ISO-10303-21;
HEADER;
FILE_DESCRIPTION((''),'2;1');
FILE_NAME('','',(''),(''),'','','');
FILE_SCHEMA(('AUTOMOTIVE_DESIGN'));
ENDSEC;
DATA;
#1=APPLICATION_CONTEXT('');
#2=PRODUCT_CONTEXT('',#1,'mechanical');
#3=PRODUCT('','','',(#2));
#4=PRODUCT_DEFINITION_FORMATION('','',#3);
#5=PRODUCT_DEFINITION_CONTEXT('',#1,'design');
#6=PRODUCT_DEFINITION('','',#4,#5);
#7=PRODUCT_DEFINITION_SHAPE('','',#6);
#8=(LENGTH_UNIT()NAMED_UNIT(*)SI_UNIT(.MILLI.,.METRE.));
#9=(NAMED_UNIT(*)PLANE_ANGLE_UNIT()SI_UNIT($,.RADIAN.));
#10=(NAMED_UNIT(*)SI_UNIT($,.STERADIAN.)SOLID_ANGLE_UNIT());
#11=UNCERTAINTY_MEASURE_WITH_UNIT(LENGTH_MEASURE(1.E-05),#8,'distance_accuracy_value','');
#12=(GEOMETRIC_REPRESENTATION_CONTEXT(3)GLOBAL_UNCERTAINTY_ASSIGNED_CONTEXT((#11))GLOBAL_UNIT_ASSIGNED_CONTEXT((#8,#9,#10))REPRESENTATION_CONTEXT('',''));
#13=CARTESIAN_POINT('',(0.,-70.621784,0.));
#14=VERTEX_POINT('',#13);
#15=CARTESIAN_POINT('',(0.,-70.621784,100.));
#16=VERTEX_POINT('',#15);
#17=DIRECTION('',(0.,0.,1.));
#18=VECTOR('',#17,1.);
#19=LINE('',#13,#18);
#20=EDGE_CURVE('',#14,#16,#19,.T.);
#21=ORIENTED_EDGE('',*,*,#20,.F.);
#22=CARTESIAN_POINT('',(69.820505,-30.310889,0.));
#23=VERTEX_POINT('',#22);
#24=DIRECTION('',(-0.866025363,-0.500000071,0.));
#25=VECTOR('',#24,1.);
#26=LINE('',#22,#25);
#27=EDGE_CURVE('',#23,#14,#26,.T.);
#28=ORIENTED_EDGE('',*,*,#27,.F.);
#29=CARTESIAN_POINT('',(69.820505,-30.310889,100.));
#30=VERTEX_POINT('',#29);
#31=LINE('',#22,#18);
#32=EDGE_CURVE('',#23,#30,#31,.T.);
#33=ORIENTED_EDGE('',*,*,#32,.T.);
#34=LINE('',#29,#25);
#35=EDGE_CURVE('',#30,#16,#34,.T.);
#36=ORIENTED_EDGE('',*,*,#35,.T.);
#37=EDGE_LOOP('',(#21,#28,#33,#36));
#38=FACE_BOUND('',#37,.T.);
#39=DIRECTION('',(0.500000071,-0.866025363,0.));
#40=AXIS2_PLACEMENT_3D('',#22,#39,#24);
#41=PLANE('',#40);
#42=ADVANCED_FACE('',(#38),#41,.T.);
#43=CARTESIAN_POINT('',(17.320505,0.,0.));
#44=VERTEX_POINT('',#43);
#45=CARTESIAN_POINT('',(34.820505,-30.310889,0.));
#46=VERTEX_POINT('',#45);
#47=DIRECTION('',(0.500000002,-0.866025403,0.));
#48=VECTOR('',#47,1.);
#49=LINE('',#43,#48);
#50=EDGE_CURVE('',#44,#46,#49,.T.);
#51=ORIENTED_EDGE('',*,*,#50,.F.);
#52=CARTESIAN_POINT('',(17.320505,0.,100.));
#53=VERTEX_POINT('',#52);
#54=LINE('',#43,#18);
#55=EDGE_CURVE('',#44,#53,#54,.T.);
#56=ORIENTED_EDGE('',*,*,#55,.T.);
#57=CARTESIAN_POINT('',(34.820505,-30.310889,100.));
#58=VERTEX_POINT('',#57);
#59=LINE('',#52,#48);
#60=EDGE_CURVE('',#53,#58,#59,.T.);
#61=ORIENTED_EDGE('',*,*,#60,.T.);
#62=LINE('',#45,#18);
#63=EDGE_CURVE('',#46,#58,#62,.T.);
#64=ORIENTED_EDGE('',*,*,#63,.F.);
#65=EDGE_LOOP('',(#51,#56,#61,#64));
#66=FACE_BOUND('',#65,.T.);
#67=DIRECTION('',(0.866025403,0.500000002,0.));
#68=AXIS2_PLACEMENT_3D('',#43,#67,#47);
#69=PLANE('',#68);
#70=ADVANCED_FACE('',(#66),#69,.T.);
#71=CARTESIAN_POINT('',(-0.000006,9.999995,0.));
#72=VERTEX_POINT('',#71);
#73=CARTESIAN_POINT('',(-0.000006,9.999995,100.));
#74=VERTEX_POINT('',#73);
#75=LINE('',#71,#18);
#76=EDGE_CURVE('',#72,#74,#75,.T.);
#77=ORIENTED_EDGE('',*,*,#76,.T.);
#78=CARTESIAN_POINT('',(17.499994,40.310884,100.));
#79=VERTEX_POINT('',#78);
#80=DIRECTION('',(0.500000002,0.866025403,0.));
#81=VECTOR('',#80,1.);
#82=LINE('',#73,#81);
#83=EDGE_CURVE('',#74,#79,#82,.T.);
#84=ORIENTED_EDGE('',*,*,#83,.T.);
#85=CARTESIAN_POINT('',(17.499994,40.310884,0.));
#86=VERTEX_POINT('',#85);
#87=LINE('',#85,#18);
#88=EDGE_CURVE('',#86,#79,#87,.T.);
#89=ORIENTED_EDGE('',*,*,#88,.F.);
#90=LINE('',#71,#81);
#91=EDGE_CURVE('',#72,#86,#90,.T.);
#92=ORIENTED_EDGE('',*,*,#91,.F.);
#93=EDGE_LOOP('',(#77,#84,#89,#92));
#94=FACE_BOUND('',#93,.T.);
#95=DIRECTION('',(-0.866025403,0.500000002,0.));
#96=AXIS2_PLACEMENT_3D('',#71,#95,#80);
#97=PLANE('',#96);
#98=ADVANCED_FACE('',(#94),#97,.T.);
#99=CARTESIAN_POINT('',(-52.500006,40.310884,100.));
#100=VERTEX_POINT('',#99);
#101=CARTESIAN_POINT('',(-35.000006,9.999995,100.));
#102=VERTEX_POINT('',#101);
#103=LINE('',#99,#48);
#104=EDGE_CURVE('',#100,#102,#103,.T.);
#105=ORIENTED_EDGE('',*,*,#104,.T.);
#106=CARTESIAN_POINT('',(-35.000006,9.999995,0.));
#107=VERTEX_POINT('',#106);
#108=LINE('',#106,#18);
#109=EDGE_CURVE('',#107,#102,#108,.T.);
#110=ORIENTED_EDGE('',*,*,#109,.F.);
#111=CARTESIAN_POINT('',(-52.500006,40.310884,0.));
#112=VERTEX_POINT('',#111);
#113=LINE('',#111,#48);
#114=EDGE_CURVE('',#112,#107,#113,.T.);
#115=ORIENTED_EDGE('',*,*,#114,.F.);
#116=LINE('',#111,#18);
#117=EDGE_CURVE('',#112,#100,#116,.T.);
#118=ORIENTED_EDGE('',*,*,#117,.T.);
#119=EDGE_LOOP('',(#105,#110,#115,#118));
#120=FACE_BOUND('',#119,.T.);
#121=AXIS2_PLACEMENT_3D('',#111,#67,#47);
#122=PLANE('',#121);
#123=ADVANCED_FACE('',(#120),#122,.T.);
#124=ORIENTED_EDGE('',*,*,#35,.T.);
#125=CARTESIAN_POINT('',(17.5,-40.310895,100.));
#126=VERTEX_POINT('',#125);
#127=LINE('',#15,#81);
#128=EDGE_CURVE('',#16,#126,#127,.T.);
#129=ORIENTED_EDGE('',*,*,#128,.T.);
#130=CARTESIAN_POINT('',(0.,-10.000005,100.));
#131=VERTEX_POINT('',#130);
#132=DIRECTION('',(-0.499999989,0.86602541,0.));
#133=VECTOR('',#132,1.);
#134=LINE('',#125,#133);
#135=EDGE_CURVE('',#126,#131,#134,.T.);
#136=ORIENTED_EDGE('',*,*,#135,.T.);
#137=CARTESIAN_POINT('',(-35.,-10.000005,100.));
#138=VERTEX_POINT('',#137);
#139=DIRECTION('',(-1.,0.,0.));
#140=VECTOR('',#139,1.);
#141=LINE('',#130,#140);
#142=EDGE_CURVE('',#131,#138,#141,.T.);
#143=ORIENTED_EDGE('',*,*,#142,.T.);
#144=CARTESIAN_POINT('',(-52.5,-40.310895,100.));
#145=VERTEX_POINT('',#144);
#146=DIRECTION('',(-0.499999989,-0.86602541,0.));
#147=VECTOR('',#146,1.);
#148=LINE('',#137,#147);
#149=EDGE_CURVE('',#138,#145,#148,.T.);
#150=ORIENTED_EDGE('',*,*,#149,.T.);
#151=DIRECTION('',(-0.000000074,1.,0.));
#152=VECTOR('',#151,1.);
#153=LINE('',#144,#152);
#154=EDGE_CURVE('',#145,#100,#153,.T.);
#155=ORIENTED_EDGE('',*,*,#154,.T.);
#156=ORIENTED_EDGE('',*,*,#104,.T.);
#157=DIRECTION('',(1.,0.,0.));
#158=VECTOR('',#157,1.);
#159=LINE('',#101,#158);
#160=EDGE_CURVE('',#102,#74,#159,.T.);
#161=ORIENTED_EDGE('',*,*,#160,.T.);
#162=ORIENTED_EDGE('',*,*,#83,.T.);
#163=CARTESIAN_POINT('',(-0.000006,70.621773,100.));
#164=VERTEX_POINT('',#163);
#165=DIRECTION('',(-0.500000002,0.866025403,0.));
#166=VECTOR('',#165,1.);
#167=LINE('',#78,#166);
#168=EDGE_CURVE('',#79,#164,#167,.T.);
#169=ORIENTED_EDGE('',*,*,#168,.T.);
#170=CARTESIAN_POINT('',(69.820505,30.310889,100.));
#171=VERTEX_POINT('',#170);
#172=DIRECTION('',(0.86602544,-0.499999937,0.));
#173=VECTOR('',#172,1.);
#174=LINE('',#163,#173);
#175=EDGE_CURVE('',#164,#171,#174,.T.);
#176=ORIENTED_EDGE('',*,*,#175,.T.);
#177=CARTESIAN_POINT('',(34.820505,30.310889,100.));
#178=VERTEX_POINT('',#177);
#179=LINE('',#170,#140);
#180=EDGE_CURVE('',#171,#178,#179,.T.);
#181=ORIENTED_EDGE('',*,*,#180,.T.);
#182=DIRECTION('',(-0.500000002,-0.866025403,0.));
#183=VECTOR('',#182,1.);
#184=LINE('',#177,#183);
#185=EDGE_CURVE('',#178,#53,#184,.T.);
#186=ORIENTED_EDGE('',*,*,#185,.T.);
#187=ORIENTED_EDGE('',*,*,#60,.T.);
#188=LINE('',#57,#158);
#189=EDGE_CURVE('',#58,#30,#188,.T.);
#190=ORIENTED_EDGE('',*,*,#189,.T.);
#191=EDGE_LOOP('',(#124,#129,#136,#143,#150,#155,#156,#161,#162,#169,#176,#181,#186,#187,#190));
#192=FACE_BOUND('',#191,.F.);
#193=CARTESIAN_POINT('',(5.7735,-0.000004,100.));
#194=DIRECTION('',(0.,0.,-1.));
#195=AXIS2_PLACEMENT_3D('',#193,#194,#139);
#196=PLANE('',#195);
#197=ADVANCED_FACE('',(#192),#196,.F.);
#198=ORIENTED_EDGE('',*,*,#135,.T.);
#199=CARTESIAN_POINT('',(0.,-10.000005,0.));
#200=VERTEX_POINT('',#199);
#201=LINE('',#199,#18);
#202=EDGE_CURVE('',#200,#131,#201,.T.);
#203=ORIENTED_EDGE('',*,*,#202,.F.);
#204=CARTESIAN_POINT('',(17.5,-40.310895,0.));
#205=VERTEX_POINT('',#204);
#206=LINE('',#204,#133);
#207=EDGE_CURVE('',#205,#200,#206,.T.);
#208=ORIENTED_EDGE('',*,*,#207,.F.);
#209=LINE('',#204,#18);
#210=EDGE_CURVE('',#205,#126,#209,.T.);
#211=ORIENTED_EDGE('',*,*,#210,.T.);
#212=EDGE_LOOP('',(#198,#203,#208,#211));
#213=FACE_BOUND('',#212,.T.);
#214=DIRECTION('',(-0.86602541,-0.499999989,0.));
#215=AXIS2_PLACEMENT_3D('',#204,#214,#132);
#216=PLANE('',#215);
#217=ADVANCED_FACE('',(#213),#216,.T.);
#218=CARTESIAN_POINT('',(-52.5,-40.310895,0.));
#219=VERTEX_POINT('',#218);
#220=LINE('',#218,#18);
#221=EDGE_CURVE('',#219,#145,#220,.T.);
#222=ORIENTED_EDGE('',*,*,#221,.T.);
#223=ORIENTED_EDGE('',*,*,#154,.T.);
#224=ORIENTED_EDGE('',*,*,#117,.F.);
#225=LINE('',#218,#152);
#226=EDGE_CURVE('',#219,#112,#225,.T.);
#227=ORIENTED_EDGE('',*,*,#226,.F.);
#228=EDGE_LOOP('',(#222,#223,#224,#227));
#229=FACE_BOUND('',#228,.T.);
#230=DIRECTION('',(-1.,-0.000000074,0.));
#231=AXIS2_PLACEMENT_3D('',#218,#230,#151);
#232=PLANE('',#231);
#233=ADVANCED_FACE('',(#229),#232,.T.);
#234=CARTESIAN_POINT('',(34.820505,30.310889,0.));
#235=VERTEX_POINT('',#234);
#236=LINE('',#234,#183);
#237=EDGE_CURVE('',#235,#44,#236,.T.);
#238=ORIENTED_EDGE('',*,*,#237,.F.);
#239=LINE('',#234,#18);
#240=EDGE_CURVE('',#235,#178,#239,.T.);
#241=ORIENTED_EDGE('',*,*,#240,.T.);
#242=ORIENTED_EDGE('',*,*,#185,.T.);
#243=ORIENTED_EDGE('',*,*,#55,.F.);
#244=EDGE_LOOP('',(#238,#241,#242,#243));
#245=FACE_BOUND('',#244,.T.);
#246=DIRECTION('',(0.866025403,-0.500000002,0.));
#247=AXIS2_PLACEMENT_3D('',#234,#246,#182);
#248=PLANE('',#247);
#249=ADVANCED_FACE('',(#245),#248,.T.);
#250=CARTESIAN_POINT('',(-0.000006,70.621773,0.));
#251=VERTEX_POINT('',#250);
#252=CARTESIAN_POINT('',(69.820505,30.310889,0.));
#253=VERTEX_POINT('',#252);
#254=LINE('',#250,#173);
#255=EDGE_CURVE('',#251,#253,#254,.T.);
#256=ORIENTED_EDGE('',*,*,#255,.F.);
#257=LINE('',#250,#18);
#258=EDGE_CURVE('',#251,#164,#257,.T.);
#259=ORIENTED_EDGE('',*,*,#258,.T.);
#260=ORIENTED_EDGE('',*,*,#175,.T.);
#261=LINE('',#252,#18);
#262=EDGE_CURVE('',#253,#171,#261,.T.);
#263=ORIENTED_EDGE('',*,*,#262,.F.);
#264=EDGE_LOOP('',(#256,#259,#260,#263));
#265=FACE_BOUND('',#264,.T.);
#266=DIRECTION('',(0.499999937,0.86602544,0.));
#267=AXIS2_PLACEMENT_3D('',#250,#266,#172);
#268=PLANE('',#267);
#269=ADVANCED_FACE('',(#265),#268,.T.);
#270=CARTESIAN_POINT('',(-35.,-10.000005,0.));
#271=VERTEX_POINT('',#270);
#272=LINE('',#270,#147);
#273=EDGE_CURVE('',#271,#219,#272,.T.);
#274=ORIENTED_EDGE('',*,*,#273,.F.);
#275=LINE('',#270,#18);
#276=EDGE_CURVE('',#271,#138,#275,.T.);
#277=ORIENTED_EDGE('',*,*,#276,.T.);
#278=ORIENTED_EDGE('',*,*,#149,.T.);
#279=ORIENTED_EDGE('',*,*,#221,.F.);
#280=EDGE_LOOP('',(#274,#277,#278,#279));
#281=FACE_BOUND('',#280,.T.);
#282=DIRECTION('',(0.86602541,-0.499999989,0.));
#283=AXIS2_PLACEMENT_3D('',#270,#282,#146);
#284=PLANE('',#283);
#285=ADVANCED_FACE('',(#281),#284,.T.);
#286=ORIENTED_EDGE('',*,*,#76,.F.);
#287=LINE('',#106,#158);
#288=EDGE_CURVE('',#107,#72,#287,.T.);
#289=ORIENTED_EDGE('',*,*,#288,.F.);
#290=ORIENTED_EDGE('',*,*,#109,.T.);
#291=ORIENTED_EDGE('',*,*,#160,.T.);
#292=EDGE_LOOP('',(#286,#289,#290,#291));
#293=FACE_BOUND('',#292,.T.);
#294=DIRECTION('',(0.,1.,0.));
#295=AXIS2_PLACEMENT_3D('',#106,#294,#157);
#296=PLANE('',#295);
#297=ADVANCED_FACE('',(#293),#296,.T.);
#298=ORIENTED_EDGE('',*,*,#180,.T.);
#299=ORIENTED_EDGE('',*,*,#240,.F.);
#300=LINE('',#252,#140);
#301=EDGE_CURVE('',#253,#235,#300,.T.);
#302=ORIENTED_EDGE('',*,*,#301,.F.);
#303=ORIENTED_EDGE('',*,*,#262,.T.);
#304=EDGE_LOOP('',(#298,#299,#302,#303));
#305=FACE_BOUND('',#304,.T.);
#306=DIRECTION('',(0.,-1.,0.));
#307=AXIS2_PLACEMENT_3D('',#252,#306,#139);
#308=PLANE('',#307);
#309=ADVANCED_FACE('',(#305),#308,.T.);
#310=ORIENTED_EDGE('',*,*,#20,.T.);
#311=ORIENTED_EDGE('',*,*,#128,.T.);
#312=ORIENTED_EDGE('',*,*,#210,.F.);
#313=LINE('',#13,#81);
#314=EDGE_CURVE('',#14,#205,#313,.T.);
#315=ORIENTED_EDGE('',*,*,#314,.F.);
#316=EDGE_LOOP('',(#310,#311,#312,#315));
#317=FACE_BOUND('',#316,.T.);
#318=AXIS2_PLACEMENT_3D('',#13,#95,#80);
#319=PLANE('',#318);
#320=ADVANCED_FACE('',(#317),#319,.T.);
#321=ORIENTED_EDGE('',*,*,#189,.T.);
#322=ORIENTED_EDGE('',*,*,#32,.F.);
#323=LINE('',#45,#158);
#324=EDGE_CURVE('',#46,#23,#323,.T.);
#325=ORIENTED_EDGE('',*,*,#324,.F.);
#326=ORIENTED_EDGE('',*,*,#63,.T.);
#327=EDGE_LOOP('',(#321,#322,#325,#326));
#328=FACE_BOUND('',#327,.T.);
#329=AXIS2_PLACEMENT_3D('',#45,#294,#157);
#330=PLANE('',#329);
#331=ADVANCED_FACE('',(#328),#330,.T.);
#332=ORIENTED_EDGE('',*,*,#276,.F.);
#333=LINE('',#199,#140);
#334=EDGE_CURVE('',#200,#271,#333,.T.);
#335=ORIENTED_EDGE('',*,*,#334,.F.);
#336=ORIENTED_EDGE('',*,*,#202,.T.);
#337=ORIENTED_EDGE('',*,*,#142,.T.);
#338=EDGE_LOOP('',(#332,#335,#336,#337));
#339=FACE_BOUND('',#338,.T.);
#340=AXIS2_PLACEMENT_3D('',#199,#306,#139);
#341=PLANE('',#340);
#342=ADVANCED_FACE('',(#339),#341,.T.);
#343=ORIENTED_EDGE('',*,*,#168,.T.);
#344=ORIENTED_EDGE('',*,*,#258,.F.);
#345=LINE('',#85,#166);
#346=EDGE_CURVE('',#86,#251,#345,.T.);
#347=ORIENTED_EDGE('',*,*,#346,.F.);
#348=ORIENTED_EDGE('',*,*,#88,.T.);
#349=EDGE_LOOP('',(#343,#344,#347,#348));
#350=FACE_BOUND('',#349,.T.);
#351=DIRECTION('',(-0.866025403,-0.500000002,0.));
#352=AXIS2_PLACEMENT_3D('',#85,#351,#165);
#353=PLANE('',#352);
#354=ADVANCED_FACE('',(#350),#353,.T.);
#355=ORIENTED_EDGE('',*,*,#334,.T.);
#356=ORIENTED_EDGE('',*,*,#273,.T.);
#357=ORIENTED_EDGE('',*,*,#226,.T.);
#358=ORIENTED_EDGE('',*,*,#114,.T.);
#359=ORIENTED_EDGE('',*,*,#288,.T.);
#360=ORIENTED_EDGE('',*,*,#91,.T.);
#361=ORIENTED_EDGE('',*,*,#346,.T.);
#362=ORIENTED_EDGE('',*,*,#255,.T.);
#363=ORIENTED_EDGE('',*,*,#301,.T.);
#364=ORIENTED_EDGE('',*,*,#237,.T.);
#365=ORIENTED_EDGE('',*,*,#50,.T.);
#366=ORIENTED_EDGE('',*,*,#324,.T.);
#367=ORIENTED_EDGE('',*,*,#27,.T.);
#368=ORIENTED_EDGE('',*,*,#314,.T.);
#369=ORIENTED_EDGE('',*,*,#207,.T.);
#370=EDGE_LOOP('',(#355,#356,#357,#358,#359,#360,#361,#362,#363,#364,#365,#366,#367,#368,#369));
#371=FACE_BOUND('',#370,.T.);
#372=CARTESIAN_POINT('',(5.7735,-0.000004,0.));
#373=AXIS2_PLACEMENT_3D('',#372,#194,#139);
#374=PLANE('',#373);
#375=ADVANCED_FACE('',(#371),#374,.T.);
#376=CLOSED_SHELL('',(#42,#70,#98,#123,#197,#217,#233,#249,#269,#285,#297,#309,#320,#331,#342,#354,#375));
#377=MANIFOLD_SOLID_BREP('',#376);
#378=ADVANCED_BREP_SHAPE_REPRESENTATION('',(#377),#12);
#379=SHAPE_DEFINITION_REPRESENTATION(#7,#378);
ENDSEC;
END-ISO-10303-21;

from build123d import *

# Parameters (mm, degrees)
PAD_DEPTH = 100


with BuildPart() as part:
    # Sketch → Pad (new body)
    with BuildSketch(Plane.XY):
        Polygon((17.5, -40.310895), (0, -10.000005), (-35, -10.000005), (-52.5, -40.310895), (-52.500006, 40.310884), (-35.000006, 9.999995), (-6e-06, 9.999995), (17.499994, 40.310884), (-6e-06, 70.621773), (69.820505, 30.310889), (34.820505, 30.310889), (17.320505, 0), (34.820505, -30.310889), (69.820505, -30.310889), (0, -70.621784), align=None)
    extrude(amount=PAD_DEPTH)


solid = part.part
